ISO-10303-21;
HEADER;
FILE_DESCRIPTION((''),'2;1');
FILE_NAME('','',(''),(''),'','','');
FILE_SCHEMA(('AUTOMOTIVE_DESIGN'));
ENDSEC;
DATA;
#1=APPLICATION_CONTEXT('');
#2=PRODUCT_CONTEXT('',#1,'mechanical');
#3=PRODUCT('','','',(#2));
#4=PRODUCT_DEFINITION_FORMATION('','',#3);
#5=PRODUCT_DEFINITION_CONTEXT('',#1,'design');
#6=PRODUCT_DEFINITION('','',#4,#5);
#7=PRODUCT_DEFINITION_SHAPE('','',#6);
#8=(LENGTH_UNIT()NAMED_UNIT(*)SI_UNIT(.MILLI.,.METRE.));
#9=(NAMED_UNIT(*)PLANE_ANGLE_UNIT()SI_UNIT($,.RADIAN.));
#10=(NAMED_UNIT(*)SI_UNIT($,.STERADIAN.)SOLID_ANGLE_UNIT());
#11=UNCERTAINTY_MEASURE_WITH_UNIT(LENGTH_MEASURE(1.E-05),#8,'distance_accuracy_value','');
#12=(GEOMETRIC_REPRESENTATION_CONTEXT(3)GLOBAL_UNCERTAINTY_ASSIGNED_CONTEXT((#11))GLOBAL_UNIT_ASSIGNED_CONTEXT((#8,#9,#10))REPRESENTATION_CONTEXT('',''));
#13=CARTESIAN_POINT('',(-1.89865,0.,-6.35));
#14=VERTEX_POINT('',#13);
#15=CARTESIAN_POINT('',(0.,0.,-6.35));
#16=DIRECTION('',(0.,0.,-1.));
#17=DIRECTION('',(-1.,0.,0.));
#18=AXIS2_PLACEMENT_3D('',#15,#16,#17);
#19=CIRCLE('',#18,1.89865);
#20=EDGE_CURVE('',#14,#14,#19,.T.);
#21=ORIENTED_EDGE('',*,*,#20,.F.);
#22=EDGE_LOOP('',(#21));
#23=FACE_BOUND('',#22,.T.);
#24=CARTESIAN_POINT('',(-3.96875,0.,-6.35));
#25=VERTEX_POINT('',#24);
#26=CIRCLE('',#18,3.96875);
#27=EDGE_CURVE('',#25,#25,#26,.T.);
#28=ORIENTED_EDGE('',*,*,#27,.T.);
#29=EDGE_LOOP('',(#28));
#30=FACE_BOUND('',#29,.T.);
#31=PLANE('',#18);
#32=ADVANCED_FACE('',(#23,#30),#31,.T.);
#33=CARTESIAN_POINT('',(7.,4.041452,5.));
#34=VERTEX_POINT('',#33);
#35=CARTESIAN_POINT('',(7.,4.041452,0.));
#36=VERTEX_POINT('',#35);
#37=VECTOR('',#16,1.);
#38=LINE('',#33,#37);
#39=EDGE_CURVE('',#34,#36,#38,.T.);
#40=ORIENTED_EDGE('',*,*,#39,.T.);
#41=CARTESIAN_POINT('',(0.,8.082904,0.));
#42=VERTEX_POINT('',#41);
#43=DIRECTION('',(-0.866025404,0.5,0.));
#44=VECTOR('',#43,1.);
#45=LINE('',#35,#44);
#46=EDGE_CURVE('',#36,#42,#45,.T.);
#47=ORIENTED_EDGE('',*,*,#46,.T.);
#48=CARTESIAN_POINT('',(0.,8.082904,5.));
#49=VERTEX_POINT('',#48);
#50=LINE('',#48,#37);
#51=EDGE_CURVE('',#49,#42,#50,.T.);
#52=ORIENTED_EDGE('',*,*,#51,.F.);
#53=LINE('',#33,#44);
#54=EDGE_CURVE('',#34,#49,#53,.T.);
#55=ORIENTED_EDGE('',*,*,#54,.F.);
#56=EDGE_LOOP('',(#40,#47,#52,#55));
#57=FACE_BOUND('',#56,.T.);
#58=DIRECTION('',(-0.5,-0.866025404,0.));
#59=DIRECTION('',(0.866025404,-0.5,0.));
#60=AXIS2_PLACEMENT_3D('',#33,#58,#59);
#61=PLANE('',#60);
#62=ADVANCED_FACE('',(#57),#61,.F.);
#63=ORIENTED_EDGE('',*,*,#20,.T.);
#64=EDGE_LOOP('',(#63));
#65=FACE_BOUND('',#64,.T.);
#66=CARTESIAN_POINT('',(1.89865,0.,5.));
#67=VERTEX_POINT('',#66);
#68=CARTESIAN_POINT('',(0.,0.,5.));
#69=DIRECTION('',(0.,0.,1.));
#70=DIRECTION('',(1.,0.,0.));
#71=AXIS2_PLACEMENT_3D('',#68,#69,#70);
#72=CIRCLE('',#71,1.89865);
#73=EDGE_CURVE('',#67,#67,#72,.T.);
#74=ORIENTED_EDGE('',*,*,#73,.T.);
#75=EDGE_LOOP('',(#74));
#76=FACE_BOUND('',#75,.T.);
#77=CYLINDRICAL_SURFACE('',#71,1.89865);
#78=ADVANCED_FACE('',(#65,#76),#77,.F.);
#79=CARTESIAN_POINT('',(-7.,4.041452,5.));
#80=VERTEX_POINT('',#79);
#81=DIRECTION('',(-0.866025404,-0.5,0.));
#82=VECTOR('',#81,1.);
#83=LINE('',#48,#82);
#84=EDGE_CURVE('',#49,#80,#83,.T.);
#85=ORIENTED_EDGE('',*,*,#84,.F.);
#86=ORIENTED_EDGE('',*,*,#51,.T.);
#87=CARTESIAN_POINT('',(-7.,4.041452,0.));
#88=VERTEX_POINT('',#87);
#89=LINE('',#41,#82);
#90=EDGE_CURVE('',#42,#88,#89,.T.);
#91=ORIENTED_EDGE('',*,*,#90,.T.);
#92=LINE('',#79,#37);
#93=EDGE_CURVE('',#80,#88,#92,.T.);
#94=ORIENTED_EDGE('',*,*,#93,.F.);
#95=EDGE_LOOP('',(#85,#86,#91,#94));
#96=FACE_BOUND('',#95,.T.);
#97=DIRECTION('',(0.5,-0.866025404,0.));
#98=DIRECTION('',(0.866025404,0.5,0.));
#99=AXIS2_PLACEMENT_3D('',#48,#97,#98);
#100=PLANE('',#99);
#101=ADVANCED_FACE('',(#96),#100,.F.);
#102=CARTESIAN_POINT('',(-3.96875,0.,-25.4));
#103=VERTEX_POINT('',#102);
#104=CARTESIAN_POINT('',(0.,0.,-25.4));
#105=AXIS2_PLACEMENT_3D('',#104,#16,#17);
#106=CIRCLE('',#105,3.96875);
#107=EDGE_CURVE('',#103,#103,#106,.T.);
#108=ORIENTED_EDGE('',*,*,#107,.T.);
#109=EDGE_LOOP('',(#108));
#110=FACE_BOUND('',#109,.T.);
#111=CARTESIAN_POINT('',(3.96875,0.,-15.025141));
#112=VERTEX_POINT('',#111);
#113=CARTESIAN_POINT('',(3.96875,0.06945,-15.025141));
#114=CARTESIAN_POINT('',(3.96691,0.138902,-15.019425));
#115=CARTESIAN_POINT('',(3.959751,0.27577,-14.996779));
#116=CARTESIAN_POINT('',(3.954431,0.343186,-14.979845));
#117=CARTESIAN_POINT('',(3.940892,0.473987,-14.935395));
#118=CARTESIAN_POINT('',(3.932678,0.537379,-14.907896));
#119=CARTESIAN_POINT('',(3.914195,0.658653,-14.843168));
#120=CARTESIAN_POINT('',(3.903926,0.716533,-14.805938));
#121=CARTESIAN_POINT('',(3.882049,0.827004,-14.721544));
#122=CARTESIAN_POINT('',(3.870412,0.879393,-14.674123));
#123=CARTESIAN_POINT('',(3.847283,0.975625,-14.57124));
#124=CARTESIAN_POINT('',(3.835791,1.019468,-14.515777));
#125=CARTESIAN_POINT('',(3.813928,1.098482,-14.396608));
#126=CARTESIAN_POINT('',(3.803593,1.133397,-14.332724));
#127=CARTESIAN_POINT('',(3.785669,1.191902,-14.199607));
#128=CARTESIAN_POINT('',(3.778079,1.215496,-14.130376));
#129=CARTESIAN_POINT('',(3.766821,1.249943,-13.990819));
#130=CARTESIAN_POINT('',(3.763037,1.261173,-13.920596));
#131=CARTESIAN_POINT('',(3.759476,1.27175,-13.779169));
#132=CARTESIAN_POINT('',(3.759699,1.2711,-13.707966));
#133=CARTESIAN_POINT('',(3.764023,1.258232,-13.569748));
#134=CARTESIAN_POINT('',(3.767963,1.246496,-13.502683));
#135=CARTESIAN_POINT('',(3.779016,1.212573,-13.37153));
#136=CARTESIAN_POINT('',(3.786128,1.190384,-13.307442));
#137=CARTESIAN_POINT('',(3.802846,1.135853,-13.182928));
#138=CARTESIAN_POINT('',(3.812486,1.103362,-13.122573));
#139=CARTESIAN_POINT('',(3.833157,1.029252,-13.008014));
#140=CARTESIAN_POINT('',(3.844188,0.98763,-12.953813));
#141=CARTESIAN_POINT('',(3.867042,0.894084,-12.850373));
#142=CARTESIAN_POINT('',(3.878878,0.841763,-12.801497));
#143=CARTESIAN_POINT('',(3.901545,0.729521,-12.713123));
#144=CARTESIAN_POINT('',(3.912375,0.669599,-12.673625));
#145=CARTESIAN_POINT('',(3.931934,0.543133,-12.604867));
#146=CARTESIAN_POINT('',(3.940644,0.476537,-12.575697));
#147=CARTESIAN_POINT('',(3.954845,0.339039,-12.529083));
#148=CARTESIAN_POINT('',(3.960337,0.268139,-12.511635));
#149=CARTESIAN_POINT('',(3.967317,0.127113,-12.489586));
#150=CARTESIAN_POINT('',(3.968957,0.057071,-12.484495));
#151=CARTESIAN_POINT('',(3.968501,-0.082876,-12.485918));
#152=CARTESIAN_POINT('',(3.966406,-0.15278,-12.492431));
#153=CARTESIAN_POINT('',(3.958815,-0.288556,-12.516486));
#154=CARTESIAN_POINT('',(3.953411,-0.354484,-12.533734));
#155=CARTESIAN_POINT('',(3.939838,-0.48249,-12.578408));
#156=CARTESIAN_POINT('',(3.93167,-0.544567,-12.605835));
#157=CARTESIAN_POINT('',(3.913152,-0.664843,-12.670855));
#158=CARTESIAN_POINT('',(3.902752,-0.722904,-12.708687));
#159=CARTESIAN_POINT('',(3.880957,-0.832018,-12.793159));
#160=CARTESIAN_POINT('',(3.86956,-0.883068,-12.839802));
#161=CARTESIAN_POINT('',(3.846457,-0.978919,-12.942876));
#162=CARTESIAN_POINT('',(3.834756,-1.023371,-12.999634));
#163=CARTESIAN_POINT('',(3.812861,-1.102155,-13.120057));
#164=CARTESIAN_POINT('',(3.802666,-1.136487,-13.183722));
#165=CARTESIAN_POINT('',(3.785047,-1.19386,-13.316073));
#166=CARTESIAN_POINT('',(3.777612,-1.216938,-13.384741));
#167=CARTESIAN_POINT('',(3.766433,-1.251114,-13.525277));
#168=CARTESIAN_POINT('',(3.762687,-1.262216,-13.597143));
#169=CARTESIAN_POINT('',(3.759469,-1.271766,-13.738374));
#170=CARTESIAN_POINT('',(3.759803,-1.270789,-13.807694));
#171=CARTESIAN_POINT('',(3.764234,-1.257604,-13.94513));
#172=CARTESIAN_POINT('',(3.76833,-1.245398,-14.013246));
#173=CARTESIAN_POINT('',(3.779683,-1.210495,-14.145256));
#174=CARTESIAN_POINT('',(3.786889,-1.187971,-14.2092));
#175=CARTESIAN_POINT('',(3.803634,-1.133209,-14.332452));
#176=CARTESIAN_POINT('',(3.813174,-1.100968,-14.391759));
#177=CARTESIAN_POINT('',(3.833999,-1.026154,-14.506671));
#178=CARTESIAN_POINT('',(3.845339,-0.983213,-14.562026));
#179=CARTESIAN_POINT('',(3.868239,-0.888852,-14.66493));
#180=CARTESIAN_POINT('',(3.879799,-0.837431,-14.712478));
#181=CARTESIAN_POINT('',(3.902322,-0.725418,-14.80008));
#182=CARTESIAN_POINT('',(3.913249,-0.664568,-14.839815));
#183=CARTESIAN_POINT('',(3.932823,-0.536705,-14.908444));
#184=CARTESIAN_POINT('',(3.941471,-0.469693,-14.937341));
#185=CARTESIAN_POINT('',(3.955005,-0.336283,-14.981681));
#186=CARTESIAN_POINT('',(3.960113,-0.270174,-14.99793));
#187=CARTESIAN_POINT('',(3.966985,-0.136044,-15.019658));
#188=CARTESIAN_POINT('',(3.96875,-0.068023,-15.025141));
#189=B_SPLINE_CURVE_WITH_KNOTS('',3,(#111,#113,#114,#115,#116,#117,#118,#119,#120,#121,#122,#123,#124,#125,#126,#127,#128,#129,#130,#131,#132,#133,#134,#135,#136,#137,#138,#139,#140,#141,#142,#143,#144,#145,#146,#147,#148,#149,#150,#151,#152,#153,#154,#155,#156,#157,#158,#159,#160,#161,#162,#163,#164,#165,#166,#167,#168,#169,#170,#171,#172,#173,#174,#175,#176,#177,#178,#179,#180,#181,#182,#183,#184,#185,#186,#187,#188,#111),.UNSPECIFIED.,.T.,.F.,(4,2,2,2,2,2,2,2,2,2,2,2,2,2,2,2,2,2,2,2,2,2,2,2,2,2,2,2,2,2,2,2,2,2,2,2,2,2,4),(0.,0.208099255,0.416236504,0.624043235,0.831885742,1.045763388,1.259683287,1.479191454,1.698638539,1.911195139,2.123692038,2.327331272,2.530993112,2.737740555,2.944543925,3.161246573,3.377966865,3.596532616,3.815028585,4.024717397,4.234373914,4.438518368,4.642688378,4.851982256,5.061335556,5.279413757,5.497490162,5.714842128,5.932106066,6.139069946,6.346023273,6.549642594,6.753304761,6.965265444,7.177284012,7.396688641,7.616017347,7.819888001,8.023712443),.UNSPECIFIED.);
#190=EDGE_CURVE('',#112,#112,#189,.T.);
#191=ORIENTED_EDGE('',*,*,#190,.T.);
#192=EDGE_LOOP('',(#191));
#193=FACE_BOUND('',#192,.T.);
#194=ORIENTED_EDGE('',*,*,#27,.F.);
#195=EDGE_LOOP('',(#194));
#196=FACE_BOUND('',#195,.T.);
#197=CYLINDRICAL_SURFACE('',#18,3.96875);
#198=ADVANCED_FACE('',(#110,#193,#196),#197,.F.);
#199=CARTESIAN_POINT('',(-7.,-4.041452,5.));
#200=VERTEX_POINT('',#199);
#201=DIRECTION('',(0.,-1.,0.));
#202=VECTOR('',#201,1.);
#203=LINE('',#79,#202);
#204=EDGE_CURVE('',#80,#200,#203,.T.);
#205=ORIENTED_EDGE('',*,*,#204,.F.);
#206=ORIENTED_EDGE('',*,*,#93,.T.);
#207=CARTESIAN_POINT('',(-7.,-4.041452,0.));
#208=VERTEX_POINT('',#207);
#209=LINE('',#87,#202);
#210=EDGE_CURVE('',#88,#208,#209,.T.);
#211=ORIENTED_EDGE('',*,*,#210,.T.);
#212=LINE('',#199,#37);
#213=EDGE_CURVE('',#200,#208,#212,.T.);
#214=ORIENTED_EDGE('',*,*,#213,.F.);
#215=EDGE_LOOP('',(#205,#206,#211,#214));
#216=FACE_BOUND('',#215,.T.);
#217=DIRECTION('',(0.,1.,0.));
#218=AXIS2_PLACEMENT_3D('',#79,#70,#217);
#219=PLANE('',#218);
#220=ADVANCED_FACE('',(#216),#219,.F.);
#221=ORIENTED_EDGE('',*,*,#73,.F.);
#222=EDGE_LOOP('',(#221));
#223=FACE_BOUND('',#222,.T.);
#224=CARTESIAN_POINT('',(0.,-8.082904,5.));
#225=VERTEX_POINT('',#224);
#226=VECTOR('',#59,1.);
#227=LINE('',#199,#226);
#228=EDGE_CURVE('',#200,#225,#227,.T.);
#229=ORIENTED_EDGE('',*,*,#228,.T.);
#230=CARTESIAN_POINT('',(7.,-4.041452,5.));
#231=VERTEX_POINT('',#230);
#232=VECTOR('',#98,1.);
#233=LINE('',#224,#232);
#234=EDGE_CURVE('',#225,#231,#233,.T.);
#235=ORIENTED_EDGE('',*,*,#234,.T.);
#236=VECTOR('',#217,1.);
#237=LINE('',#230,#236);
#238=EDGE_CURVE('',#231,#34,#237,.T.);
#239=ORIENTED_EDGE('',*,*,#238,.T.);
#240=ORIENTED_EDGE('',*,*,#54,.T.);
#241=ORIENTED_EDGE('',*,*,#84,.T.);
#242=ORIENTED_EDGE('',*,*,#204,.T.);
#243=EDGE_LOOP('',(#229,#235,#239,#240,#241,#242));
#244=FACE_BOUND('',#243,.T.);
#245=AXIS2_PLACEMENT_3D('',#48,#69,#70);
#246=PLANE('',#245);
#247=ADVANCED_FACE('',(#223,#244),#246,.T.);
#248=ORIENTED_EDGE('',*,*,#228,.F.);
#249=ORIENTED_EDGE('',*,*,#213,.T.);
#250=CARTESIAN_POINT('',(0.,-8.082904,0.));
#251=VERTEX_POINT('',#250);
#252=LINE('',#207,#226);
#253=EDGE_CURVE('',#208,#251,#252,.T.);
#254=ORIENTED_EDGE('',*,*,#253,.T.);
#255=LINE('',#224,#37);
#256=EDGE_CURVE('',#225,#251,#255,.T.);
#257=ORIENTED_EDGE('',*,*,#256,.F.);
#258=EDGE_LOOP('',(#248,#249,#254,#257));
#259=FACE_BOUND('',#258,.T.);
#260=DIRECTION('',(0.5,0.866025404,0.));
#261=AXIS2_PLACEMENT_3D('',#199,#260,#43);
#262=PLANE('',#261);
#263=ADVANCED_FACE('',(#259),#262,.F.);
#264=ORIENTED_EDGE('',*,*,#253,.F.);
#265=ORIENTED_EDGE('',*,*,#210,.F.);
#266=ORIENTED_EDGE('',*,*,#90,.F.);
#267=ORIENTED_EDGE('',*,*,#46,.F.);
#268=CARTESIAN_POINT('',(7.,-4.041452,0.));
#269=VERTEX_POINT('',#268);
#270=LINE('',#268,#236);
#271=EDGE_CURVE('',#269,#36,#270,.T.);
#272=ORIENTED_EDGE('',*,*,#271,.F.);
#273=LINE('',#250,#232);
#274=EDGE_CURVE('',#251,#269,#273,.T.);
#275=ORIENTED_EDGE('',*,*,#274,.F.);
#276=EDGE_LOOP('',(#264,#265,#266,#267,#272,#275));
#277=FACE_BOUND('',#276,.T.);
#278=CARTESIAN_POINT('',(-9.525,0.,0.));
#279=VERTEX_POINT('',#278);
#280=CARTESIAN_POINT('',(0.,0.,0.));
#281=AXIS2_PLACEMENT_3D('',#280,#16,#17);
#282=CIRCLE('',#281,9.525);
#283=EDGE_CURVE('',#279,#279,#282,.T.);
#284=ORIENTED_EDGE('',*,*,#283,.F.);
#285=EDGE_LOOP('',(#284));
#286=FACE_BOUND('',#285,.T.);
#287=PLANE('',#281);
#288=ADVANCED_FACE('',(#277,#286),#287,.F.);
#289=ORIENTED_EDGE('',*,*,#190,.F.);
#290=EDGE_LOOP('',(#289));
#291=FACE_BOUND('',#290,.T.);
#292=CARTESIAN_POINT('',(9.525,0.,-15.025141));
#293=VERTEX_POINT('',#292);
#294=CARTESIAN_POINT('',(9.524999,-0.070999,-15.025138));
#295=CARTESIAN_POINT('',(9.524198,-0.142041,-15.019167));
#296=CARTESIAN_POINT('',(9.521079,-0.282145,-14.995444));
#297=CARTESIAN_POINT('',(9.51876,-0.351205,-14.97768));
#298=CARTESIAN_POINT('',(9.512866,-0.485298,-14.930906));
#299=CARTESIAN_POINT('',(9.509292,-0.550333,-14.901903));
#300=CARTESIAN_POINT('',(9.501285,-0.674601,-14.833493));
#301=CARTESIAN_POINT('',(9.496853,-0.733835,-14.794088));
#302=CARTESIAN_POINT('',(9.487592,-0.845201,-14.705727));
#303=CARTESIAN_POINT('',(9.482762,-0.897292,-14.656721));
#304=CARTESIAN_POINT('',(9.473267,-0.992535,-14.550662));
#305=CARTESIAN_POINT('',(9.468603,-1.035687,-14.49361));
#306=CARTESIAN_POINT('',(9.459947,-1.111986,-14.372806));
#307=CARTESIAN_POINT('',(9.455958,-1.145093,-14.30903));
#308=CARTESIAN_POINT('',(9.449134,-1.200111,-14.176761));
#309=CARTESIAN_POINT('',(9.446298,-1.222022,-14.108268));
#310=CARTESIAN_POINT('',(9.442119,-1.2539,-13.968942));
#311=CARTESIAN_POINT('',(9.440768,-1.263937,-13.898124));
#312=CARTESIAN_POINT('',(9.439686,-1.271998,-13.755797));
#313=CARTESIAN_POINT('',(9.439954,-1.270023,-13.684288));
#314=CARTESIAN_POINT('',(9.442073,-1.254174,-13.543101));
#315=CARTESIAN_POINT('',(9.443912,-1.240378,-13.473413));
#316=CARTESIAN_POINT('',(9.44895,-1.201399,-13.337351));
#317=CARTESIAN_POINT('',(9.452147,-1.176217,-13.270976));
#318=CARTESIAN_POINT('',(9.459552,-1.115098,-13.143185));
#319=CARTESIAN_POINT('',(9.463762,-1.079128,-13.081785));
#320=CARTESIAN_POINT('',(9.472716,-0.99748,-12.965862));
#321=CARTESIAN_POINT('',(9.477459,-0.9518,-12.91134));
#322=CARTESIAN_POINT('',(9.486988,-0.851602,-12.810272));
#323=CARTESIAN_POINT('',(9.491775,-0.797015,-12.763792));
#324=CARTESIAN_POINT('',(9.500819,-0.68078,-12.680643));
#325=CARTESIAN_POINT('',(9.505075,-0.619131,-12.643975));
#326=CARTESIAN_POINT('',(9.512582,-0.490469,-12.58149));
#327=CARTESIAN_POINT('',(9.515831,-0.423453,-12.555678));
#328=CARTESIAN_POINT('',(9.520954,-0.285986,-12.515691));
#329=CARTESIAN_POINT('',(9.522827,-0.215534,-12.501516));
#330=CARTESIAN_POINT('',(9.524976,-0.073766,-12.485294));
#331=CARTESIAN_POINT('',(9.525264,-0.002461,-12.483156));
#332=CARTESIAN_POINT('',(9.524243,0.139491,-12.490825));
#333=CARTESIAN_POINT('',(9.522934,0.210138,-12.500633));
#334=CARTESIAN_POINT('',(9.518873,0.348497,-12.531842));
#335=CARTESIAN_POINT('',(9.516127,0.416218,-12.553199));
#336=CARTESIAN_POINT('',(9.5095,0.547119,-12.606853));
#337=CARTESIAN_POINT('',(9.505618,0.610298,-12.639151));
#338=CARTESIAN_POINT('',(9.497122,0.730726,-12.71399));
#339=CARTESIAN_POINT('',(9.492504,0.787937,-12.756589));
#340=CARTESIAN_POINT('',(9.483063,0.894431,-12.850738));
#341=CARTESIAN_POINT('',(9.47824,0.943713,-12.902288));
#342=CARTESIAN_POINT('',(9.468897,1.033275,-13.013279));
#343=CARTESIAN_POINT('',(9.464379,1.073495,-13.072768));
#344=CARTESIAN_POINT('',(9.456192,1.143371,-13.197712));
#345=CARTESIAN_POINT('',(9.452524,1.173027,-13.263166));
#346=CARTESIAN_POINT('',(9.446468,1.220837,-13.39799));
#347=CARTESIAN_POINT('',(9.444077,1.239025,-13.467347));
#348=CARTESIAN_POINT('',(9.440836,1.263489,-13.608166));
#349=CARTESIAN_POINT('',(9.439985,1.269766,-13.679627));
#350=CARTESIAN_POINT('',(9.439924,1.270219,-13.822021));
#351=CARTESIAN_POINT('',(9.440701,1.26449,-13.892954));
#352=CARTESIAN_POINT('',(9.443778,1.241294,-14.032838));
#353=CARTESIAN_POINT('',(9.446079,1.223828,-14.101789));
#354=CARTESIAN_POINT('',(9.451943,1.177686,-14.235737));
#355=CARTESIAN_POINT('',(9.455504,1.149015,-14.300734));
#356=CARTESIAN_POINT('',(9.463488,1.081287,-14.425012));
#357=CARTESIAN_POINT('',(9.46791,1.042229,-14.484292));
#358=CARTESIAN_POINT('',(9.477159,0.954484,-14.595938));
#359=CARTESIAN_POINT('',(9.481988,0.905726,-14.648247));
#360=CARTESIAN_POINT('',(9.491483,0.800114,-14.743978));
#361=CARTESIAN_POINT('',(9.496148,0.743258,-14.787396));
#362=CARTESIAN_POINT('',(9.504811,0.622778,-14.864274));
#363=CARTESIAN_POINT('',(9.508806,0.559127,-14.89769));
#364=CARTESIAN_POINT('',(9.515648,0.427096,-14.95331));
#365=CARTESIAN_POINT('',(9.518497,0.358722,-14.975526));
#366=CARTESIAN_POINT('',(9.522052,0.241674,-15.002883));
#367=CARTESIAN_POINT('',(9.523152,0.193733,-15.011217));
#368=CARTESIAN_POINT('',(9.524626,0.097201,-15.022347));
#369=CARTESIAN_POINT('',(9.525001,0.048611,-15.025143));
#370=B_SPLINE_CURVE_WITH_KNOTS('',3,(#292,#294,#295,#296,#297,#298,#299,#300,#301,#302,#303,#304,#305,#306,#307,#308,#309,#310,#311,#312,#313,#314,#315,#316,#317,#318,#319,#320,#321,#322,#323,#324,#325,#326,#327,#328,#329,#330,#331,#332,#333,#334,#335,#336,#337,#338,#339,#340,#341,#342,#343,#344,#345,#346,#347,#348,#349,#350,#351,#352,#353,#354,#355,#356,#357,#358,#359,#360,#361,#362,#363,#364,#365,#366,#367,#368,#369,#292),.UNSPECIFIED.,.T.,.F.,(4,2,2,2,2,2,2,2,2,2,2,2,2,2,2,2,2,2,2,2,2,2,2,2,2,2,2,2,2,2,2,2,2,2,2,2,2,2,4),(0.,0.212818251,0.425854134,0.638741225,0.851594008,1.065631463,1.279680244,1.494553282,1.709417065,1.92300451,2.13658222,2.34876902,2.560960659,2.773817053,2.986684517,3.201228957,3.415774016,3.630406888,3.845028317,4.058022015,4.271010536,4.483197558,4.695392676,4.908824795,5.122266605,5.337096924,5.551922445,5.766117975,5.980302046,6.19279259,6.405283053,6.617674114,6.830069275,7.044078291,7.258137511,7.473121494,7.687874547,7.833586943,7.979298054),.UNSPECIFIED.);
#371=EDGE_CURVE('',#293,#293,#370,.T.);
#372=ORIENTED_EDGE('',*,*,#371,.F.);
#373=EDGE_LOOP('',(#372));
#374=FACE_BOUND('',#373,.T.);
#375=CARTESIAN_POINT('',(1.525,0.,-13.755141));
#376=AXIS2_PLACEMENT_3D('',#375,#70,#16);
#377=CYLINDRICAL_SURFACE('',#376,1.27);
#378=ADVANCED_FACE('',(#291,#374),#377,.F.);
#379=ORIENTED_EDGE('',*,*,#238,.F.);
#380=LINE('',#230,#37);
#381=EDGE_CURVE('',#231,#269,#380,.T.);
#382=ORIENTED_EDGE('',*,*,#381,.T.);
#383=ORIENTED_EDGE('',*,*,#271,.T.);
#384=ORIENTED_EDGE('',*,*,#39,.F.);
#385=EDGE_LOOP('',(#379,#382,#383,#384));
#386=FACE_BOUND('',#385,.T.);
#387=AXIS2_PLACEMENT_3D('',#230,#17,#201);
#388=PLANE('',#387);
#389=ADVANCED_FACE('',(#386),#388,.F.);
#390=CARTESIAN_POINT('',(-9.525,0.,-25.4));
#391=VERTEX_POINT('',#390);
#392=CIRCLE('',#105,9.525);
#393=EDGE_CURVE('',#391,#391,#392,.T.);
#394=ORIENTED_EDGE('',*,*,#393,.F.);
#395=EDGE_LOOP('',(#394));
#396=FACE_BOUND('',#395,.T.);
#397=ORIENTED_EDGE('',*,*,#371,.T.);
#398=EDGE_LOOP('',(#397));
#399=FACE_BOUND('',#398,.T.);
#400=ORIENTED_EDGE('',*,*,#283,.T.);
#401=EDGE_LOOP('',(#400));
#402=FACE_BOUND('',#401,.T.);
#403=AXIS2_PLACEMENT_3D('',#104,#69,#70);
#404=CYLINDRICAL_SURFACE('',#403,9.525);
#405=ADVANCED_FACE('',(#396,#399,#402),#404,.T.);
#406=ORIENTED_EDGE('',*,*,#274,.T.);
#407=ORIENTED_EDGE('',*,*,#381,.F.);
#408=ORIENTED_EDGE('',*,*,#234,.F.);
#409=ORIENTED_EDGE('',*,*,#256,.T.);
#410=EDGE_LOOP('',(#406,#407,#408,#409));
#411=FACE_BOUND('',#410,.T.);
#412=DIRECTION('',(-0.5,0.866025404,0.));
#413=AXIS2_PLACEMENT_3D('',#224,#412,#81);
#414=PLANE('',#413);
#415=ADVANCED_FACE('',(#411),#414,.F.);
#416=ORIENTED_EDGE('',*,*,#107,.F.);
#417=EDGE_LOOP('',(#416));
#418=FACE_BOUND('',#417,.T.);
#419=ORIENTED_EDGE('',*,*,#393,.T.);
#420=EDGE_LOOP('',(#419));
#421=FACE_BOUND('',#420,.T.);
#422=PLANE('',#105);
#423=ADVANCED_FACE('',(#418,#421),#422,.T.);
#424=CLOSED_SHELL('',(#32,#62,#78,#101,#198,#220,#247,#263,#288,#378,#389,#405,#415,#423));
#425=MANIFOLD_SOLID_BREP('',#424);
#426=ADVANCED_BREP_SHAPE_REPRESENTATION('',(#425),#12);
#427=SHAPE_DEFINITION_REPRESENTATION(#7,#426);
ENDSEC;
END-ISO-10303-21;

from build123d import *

# Parameters (mm, degrees)
BOSS_EXTRUDE2_DEPTH        = 5
SKETCH2_R                  = 9.525
BOSS_EXTRUDE3_DEPTH        = 25.4
SKETCH3_R                  = 3.96875
CUT_EXTRUDE1_DEPTH         = 19.05
SKETCH4_R                  = 1.27
CUT_EXTRUDE2_DEPTH         = 19.05
F_10_24_TAPPED_HOLE1_D     = 3.7973
F_10_24_TAPPED_HOLE1_DEPTH = 14.95
F_10_24_TAPPED_HOLE1_TIP   = 1.140824014
SKETCH6_R                  = 1.27
CUT_EXTRUDE3_DEPTH         = 8


with BuildPart() as part:
    # Sketch1 → Boss-Extrude2 (new body)
    with BuildSketch(Plane.XY):
        Polygon((0, 8.082903769), (-7, 4.041451884), (-7, -4.041451884), (0, -8.082903769), (7, -4.041451884), (7, 4.041451884), align=None)
    extrude(amount=BOSS_EXTRUDE2_DEPTH)

    # Sketch2 → Boss-Extrude3 (add)
    with BuildSketch(Plane(origin=(0, 0, 0), x_dir=(-1, 0, 0), z_dir=(0, 0, -1))):
        Circle(SKETCH2_R)
    extrude(amount=BOSS_EXTRUDE3_DEPTH)

    # Sketch3 → Cut-Extrude1 (cut)
    with BuildSketch(Plane(origin=(0, 0, -25.4), x_dir=(-1, 0, 0), z_dir=(0, 0, -1))):
        Circle(SKETCH3_R)
    extrude(amount=-CUT_EXTRUDE1_DEPTH, mode=Mode.SUBTRACT)

    # Sketch4 → Cut-Extrude2 (cut)
    with BuildSketch(Plane.XY.offset(5)):
        Circle(SKETCH4_R)
    extrude(amount=-CUT_EXTRUDE2_DEPTH, mode=Mode.SUBTRACT)

    # #10-24 Tapped Hole1
    with Locations(Plane.XY.offset(5)):
        with Locations((0, 0)):
            Hole(F_10_24_TAPPED_HOLE1_D / 2, depth=F_10_24_TAPPED_HOLE1_DEPTH)
            with Locations((0, 0, -(F_10_24_TAPPED_HOLE1_DEPTH + F_10_24_TAPPED_HOLE1_TIP / 2))):  # 118° drill point
                Cone(0, F_10_24_TAPPED_HOLE1_D / 2, F_10_24_TAPPED_HOLE1_TIP, mode=Mode.SUBTRACT)

    # Sketch6 → Cut-Extrude3 (cut)
    with BuildSketch(Plane(origin=(9.525, 0, 0), x_dir=(0, 0, -1), z_dir=(1, 0, 0))):
        with Locations((13.755140778, 0)):
            Circle(SKETCH6_R)
    extrude(amount=-CUT_EXTRUDE3_DEPTH, mode=Mode.SUBTRACT)


solid = part.part
